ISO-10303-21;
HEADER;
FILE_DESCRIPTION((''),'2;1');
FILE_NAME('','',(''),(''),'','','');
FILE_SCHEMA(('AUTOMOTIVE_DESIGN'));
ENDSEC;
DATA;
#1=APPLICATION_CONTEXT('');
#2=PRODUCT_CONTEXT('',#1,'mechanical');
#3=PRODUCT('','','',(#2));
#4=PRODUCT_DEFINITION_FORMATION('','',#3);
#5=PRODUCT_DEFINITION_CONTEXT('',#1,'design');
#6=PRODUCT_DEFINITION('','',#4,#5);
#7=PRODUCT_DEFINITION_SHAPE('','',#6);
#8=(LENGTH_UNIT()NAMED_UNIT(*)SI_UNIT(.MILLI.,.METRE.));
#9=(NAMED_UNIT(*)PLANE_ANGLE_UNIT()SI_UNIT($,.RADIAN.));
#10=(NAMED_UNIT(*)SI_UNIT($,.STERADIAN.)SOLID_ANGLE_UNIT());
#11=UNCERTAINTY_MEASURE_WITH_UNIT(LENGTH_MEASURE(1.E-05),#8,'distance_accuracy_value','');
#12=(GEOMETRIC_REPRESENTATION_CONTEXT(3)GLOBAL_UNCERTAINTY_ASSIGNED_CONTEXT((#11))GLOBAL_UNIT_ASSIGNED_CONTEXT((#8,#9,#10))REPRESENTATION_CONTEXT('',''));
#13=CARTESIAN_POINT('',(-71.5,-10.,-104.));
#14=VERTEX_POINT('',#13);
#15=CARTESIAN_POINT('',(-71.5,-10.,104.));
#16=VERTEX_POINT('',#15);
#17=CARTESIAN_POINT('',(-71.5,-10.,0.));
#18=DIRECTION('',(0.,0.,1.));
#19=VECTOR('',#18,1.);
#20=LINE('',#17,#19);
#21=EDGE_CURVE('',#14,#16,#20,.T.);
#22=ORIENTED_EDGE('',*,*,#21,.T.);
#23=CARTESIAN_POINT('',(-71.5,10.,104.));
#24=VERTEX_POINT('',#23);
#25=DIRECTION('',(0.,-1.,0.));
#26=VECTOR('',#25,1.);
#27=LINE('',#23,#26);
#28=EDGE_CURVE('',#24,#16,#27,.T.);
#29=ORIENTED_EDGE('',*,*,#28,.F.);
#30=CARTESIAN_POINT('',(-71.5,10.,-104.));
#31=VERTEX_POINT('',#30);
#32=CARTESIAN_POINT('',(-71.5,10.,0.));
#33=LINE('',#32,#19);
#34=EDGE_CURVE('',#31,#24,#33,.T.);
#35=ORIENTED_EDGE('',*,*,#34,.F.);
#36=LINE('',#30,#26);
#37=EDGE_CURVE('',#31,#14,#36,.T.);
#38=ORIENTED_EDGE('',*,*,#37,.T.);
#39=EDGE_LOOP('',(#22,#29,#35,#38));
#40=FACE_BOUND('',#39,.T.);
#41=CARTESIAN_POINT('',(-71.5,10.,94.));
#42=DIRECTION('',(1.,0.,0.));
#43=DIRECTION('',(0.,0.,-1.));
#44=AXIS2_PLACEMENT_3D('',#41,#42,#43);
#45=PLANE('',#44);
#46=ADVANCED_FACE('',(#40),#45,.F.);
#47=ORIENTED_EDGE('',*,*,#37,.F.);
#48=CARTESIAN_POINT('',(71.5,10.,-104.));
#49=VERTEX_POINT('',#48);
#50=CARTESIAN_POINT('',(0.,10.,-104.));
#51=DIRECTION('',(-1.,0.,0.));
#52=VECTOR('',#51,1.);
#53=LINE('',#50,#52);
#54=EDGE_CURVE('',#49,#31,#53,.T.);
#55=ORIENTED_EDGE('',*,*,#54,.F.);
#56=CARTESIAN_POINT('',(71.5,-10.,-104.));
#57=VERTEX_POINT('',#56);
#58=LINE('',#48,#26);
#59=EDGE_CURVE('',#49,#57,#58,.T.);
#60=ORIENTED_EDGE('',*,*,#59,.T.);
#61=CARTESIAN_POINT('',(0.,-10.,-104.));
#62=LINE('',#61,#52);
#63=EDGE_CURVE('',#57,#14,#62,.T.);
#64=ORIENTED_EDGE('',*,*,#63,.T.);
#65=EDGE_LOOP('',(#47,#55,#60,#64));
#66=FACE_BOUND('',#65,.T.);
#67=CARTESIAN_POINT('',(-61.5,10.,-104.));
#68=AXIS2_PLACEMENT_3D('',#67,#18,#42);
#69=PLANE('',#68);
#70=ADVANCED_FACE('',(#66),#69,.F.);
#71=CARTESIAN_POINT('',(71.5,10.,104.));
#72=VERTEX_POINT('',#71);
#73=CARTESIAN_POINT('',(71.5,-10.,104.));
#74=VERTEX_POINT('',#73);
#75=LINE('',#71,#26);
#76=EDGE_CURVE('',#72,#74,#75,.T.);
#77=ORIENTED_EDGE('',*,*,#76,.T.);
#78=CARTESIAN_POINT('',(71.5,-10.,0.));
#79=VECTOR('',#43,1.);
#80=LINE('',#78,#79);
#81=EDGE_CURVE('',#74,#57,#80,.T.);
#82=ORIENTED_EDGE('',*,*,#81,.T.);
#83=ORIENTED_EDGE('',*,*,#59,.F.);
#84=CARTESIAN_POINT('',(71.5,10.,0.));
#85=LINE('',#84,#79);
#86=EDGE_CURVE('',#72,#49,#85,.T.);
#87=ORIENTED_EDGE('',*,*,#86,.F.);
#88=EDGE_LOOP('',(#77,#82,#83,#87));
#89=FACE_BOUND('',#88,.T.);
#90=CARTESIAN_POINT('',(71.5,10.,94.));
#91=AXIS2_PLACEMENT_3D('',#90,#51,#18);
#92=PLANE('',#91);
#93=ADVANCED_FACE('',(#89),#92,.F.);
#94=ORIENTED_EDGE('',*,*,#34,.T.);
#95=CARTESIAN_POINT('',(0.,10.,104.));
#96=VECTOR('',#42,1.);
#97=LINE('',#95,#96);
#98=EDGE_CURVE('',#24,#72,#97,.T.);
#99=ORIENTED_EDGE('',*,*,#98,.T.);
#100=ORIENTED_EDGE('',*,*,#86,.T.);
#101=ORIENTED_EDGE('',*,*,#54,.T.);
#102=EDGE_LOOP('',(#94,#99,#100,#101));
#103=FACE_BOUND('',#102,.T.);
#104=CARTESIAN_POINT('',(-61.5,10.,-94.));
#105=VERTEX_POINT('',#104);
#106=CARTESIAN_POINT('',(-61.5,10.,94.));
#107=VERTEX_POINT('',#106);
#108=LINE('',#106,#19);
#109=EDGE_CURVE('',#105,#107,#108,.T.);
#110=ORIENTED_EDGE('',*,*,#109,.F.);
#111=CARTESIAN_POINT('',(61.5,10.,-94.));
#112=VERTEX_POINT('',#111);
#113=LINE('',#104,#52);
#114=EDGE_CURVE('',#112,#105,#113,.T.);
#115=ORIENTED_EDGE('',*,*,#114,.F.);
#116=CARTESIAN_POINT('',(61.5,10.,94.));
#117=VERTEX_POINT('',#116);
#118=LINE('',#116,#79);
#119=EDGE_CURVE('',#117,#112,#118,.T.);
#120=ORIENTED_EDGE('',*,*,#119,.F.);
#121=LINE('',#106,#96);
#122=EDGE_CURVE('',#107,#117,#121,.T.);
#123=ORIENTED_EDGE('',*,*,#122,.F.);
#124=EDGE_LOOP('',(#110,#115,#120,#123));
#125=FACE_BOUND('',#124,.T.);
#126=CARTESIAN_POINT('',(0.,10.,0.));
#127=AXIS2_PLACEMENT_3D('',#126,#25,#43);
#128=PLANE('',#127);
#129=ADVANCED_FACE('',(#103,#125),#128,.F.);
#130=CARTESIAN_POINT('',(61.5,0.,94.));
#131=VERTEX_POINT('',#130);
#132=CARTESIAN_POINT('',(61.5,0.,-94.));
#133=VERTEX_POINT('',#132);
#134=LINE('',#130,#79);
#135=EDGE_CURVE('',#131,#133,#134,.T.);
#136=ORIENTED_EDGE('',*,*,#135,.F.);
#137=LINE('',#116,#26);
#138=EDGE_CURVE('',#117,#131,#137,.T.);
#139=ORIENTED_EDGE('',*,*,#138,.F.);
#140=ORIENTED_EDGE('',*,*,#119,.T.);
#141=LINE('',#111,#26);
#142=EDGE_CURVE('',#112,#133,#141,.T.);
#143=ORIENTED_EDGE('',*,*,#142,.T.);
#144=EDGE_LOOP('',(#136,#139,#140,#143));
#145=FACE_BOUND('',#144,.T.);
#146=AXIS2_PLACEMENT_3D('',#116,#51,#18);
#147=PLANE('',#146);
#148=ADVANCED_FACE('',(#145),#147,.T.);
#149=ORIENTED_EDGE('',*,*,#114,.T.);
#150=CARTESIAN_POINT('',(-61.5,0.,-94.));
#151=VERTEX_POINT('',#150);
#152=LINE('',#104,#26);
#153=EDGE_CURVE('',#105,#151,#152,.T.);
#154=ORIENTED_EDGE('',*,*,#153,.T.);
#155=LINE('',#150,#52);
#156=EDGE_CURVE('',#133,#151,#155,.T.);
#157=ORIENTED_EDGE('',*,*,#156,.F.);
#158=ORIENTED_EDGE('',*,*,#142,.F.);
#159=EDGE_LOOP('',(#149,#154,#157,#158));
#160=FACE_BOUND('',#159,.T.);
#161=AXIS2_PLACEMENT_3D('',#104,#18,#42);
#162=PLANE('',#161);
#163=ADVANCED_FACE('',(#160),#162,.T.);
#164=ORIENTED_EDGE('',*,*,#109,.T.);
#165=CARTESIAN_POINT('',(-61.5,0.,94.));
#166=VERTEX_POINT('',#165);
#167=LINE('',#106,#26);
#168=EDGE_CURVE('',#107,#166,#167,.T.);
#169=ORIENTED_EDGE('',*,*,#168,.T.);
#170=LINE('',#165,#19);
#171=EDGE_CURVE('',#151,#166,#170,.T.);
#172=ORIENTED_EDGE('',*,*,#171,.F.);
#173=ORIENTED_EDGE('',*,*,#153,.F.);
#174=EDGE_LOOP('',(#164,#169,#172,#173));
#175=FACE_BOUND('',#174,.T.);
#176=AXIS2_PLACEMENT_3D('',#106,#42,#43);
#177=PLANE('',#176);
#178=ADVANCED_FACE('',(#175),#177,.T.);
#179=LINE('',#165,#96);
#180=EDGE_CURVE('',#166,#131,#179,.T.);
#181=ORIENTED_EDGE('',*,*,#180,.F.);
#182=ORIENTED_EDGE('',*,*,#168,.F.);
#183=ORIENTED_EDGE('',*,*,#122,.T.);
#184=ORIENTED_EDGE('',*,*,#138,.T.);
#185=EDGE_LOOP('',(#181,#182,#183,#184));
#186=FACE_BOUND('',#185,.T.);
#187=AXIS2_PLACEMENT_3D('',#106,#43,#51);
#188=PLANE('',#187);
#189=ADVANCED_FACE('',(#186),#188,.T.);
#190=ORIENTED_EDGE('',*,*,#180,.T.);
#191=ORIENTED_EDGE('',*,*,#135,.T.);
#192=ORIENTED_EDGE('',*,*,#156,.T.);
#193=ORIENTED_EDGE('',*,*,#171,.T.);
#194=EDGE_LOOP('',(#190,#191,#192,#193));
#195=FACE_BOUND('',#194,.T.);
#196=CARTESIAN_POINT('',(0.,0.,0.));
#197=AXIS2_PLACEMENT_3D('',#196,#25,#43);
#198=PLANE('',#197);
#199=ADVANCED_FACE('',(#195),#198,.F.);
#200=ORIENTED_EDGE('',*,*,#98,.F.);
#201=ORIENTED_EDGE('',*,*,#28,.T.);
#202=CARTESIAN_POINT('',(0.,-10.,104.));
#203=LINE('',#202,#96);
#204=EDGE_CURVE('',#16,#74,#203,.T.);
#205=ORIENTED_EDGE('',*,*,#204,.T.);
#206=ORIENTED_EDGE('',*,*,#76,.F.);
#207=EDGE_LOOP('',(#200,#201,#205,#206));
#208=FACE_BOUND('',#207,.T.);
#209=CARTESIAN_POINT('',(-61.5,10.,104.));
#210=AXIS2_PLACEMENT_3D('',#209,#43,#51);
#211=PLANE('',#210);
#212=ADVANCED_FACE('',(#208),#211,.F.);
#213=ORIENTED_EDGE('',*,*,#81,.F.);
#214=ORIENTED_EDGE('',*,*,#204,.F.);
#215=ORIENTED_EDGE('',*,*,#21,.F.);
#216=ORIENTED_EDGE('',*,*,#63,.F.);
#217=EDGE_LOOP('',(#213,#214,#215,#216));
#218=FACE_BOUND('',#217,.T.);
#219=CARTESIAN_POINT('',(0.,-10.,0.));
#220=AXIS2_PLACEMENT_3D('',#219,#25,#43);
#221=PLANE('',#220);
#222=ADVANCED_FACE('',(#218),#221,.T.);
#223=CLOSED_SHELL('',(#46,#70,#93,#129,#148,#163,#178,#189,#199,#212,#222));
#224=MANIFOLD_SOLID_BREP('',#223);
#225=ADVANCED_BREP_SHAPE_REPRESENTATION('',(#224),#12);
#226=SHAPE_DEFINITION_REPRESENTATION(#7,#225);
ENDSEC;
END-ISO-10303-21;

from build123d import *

# Parameters (mm, degrees)
SKETCH1_W           = 123
SKETCH1_H           = 188
BOSS_EXTRUDE1_DEPTH = 10
SHELL1_T            = 10


with BuildPart() as part:
    # Sketch1 → Boss-Extrude1 (new body)
    with BuildSketch(Plane(origin=(0, 0, 0), x_dir=(1, 0, 0), z_dir=(0, 1, 0))):
        Rectangle(SKETCH1_W, SKETCH1_H)
    extrude(amount=BOSS_EXTRUDE1_DEPTH)

    # Shell1
    shell1_openings = [part.faces().sort_by_distance(p)[0] for p in [
        (0, 10, 0),
    ]]
    offset(amount=SHELL1_T, openings=shell1_openings, kind=Kind.INTERSECTION)


solid = part.part
